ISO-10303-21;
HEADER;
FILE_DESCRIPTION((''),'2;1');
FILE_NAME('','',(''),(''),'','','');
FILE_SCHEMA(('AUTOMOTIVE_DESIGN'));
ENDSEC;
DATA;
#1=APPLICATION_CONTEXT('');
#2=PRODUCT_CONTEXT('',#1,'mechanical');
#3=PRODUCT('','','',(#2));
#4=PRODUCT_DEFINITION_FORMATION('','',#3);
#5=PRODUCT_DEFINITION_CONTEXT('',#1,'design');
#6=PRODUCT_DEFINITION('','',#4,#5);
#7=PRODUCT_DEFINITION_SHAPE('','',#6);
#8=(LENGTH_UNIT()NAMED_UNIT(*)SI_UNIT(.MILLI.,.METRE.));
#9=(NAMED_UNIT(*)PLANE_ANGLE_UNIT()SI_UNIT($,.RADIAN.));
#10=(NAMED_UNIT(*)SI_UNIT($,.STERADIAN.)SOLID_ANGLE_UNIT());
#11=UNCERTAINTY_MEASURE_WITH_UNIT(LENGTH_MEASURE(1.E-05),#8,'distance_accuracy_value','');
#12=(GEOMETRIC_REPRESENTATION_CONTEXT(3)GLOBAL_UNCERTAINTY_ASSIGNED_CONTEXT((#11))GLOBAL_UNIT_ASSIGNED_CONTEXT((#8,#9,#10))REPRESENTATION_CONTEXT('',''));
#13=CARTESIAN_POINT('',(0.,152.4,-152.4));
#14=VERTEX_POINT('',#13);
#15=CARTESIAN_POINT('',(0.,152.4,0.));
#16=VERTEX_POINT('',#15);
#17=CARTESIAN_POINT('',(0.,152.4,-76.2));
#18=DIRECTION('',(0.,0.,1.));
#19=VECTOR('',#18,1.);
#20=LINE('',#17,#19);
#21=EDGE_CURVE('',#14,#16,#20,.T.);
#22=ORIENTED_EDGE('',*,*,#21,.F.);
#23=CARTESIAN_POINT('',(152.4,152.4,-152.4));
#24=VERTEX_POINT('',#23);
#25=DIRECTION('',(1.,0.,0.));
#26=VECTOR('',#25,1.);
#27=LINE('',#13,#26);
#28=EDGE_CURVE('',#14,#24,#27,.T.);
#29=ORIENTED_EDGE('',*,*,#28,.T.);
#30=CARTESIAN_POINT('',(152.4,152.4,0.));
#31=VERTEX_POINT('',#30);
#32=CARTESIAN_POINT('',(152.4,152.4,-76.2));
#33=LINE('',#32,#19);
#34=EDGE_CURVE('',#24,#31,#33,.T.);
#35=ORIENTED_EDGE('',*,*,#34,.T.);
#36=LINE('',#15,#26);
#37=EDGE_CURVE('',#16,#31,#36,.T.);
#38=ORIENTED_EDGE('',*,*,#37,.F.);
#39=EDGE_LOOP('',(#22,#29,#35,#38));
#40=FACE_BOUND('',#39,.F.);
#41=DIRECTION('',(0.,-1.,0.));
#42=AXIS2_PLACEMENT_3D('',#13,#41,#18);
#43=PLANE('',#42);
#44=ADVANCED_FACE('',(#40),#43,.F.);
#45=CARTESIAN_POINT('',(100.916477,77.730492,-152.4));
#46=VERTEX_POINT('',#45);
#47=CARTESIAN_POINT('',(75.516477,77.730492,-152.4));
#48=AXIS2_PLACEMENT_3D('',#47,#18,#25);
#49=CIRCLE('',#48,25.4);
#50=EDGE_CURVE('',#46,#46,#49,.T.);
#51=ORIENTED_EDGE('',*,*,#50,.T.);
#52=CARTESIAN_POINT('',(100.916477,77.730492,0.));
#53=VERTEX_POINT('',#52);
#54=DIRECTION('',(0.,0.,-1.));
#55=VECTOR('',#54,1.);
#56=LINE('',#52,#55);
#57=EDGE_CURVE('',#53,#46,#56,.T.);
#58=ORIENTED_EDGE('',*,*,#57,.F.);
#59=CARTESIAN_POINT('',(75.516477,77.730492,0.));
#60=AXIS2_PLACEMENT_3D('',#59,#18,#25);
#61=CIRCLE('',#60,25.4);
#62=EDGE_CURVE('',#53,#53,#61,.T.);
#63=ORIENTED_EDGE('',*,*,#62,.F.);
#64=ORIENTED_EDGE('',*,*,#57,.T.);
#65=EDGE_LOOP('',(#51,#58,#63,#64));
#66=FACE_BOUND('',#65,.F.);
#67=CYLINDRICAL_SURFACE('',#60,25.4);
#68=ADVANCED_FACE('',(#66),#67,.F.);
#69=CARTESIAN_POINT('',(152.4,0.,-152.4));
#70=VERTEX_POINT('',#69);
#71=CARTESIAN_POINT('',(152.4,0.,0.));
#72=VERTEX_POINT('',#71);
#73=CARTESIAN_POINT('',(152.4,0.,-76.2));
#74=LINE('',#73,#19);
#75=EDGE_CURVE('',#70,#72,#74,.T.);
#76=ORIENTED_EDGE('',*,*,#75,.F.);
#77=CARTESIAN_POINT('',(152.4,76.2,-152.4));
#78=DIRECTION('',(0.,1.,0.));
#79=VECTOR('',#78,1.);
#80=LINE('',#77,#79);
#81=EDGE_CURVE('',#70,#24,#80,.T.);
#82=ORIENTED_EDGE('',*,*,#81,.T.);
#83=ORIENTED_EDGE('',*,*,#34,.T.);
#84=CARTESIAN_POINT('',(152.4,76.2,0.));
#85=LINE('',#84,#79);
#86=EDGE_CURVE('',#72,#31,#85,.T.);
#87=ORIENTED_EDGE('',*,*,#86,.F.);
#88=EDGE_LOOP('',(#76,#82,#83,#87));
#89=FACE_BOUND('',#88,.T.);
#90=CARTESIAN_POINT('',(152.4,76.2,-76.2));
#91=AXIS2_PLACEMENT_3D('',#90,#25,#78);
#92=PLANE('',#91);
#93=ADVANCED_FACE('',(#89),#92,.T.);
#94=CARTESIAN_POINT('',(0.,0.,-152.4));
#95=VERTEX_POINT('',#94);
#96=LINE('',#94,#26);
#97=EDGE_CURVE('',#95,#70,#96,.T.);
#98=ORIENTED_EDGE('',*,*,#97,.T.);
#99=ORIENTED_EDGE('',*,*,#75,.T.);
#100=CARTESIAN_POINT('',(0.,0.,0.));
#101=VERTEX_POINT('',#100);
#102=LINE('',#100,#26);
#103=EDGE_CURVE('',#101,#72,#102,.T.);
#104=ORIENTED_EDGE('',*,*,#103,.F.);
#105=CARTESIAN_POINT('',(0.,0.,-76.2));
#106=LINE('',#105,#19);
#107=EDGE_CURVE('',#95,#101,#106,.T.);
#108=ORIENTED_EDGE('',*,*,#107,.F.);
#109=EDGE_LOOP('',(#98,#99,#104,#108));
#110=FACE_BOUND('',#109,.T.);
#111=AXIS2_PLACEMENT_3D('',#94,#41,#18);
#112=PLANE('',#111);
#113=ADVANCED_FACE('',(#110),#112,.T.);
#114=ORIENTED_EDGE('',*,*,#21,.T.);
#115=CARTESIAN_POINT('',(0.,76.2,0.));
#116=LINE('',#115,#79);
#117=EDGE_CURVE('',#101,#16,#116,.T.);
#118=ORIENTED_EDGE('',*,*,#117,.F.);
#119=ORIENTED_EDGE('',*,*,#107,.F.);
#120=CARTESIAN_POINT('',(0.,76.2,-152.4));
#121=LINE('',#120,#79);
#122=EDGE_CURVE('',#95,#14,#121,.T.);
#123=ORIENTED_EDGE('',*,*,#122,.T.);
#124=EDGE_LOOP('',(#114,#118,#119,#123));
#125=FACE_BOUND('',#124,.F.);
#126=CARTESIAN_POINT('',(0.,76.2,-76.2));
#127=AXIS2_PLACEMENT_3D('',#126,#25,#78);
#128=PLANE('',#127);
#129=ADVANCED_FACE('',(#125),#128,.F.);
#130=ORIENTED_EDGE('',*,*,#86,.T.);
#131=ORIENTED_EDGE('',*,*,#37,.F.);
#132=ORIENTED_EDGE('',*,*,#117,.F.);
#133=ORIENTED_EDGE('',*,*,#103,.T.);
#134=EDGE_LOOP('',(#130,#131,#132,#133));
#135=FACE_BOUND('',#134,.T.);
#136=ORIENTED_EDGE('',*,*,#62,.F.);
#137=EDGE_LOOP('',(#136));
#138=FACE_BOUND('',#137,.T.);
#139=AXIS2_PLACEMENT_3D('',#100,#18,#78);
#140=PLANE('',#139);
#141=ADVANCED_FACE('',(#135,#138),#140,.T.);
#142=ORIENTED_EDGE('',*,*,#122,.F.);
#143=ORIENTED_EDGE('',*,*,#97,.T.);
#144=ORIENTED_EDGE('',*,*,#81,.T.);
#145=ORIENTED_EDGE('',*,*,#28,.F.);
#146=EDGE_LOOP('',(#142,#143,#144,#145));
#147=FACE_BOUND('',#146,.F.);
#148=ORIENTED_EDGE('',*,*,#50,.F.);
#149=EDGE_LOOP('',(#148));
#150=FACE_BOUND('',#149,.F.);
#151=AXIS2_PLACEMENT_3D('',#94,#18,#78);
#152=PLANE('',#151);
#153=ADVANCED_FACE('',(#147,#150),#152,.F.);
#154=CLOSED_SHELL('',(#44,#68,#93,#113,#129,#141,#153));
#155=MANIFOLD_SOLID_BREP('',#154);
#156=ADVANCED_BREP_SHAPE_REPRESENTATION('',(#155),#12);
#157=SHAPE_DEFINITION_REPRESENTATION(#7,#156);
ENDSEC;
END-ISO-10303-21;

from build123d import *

# Parameters (mm, degrees)
F0_W     = 152.4
F0_H     = 152.4
F1_DEPTH = 152.4
F2_R     = 25.4
F3_DEPTH = 152.401


with BuildPart() as f1:
    # F0 (on Right) → F1 (new body)
    with BuildSketch(Plane.YZ):
        with Locations((76.2, -76.2)):
            Rectangle(F0_W, F0_H)
    extrude(amount=F1_DEPTH)

    # F2 (on face) → F3 (cut, through all)
    with BuildSketch(Plane.XY):
        with Locations((75.516477, 77.730492)):
            Circle(F2_R)
    extrude(amount=-F3_DEPTH, mode=Mode.SUBTRACT)


solid = f1.part
